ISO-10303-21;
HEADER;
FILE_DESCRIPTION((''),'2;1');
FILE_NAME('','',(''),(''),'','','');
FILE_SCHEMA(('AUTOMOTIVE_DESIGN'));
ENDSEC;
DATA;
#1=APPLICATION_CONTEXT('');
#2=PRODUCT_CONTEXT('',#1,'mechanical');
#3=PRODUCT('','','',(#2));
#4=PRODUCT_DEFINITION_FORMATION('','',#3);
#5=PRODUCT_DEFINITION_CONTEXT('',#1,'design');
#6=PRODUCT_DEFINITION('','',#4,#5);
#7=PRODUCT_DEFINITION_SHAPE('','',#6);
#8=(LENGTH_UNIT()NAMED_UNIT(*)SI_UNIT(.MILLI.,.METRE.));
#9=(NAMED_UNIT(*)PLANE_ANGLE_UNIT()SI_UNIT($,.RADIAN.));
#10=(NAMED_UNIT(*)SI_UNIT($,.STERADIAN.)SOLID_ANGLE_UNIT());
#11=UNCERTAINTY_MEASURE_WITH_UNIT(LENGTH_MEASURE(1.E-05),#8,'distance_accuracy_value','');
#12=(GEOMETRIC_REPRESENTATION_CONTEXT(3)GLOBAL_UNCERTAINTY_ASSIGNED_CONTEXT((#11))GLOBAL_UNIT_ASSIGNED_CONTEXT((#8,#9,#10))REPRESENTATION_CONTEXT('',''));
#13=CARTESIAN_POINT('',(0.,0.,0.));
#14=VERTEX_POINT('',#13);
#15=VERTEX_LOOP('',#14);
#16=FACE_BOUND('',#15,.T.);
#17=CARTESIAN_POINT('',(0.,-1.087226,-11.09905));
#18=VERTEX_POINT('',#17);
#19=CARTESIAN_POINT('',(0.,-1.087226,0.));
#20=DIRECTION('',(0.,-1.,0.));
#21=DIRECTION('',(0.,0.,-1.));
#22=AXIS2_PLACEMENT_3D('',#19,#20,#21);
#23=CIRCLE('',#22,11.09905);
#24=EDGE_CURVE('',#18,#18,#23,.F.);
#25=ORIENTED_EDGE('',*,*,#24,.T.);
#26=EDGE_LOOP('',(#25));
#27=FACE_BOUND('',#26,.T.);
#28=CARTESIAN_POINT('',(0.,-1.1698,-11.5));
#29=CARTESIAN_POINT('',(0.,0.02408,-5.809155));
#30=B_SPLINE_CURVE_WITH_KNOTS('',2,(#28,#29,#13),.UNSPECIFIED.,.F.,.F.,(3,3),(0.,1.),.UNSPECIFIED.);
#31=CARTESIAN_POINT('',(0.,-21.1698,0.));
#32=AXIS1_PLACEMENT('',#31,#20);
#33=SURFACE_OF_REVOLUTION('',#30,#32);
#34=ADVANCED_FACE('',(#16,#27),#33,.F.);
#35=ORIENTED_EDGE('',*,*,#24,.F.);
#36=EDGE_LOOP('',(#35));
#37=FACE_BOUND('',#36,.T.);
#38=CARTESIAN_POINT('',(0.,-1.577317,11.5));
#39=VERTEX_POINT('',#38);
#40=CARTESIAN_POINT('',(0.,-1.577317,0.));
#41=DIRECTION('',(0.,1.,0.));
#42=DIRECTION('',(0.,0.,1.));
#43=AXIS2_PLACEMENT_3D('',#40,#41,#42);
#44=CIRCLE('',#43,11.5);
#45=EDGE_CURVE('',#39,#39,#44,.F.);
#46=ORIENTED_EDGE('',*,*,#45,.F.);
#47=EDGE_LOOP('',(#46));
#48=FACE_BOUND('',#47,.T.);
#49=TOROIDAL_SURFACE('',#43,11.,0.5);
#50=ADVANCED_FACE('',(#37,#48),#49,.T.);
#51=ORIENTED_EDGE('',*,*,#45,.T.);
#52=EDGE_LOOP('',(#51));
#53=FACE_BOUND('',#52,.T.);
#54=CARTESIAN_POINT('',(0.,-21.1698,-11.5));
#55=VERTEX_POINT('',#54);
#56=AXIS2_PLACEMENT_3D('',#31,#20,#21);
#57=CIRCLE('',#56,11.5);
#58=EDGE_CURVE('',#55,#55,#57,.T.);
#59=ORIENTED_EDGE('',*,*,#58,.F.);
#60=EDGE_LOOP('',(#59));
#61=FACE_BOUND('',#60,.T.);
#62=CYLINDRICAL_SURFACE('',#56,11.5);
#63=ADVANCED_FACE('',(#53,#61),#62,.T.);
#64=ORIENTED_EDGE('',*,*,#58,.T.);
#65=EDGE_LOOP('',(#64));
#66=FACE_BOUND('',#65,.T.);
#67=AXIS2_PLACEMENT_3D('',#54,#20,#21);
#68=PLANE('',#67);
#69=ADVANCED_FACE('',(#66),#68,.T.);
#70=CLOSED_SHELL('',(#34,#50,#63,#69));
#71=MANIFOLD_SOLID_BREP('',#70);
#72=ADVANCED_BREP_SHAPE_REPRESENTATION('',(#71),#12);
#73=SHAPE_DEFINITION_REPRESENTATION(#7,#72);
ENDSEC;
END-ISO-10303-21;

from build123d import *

# Parameters (mm, degrees)
FILLET1_R = 0.5


with BuildPart() as part:
    # Sketch2 → Revolve1 (revolve)
    with BuildSketch(Plane(origin=(0, 0, 0), x_dir=(0, 0, -1), z_dir=(1, 0, 0))):
        with BuildLine():
            Line((11.5, -1.169799841), (11.5, -21.169799841))
            Line((11.5, -21.169799841), (0, -21.169799841))
            Line((0, -21.169799841), (0, 0))
            add(Edge.make_bspline(
                [(0, 0), (5.809154566, 0.024080352), (11.5, -1.169799841)],
                knots=[0, 0, 0, 1, 1, 1], degree=2))
        make_face()
    revolve(axis=Axis((0, -21.169799841, 0), (0, 1, 0)))

    # Fillet1
    fillet1_edges = [part.edges().sort_by_distance(p)[0] for p in [
        (0, -1.169799841, 11.5),
    ]]
    fillet(fillet1_edges, radius=FILLET1_R)


solid = part.part
